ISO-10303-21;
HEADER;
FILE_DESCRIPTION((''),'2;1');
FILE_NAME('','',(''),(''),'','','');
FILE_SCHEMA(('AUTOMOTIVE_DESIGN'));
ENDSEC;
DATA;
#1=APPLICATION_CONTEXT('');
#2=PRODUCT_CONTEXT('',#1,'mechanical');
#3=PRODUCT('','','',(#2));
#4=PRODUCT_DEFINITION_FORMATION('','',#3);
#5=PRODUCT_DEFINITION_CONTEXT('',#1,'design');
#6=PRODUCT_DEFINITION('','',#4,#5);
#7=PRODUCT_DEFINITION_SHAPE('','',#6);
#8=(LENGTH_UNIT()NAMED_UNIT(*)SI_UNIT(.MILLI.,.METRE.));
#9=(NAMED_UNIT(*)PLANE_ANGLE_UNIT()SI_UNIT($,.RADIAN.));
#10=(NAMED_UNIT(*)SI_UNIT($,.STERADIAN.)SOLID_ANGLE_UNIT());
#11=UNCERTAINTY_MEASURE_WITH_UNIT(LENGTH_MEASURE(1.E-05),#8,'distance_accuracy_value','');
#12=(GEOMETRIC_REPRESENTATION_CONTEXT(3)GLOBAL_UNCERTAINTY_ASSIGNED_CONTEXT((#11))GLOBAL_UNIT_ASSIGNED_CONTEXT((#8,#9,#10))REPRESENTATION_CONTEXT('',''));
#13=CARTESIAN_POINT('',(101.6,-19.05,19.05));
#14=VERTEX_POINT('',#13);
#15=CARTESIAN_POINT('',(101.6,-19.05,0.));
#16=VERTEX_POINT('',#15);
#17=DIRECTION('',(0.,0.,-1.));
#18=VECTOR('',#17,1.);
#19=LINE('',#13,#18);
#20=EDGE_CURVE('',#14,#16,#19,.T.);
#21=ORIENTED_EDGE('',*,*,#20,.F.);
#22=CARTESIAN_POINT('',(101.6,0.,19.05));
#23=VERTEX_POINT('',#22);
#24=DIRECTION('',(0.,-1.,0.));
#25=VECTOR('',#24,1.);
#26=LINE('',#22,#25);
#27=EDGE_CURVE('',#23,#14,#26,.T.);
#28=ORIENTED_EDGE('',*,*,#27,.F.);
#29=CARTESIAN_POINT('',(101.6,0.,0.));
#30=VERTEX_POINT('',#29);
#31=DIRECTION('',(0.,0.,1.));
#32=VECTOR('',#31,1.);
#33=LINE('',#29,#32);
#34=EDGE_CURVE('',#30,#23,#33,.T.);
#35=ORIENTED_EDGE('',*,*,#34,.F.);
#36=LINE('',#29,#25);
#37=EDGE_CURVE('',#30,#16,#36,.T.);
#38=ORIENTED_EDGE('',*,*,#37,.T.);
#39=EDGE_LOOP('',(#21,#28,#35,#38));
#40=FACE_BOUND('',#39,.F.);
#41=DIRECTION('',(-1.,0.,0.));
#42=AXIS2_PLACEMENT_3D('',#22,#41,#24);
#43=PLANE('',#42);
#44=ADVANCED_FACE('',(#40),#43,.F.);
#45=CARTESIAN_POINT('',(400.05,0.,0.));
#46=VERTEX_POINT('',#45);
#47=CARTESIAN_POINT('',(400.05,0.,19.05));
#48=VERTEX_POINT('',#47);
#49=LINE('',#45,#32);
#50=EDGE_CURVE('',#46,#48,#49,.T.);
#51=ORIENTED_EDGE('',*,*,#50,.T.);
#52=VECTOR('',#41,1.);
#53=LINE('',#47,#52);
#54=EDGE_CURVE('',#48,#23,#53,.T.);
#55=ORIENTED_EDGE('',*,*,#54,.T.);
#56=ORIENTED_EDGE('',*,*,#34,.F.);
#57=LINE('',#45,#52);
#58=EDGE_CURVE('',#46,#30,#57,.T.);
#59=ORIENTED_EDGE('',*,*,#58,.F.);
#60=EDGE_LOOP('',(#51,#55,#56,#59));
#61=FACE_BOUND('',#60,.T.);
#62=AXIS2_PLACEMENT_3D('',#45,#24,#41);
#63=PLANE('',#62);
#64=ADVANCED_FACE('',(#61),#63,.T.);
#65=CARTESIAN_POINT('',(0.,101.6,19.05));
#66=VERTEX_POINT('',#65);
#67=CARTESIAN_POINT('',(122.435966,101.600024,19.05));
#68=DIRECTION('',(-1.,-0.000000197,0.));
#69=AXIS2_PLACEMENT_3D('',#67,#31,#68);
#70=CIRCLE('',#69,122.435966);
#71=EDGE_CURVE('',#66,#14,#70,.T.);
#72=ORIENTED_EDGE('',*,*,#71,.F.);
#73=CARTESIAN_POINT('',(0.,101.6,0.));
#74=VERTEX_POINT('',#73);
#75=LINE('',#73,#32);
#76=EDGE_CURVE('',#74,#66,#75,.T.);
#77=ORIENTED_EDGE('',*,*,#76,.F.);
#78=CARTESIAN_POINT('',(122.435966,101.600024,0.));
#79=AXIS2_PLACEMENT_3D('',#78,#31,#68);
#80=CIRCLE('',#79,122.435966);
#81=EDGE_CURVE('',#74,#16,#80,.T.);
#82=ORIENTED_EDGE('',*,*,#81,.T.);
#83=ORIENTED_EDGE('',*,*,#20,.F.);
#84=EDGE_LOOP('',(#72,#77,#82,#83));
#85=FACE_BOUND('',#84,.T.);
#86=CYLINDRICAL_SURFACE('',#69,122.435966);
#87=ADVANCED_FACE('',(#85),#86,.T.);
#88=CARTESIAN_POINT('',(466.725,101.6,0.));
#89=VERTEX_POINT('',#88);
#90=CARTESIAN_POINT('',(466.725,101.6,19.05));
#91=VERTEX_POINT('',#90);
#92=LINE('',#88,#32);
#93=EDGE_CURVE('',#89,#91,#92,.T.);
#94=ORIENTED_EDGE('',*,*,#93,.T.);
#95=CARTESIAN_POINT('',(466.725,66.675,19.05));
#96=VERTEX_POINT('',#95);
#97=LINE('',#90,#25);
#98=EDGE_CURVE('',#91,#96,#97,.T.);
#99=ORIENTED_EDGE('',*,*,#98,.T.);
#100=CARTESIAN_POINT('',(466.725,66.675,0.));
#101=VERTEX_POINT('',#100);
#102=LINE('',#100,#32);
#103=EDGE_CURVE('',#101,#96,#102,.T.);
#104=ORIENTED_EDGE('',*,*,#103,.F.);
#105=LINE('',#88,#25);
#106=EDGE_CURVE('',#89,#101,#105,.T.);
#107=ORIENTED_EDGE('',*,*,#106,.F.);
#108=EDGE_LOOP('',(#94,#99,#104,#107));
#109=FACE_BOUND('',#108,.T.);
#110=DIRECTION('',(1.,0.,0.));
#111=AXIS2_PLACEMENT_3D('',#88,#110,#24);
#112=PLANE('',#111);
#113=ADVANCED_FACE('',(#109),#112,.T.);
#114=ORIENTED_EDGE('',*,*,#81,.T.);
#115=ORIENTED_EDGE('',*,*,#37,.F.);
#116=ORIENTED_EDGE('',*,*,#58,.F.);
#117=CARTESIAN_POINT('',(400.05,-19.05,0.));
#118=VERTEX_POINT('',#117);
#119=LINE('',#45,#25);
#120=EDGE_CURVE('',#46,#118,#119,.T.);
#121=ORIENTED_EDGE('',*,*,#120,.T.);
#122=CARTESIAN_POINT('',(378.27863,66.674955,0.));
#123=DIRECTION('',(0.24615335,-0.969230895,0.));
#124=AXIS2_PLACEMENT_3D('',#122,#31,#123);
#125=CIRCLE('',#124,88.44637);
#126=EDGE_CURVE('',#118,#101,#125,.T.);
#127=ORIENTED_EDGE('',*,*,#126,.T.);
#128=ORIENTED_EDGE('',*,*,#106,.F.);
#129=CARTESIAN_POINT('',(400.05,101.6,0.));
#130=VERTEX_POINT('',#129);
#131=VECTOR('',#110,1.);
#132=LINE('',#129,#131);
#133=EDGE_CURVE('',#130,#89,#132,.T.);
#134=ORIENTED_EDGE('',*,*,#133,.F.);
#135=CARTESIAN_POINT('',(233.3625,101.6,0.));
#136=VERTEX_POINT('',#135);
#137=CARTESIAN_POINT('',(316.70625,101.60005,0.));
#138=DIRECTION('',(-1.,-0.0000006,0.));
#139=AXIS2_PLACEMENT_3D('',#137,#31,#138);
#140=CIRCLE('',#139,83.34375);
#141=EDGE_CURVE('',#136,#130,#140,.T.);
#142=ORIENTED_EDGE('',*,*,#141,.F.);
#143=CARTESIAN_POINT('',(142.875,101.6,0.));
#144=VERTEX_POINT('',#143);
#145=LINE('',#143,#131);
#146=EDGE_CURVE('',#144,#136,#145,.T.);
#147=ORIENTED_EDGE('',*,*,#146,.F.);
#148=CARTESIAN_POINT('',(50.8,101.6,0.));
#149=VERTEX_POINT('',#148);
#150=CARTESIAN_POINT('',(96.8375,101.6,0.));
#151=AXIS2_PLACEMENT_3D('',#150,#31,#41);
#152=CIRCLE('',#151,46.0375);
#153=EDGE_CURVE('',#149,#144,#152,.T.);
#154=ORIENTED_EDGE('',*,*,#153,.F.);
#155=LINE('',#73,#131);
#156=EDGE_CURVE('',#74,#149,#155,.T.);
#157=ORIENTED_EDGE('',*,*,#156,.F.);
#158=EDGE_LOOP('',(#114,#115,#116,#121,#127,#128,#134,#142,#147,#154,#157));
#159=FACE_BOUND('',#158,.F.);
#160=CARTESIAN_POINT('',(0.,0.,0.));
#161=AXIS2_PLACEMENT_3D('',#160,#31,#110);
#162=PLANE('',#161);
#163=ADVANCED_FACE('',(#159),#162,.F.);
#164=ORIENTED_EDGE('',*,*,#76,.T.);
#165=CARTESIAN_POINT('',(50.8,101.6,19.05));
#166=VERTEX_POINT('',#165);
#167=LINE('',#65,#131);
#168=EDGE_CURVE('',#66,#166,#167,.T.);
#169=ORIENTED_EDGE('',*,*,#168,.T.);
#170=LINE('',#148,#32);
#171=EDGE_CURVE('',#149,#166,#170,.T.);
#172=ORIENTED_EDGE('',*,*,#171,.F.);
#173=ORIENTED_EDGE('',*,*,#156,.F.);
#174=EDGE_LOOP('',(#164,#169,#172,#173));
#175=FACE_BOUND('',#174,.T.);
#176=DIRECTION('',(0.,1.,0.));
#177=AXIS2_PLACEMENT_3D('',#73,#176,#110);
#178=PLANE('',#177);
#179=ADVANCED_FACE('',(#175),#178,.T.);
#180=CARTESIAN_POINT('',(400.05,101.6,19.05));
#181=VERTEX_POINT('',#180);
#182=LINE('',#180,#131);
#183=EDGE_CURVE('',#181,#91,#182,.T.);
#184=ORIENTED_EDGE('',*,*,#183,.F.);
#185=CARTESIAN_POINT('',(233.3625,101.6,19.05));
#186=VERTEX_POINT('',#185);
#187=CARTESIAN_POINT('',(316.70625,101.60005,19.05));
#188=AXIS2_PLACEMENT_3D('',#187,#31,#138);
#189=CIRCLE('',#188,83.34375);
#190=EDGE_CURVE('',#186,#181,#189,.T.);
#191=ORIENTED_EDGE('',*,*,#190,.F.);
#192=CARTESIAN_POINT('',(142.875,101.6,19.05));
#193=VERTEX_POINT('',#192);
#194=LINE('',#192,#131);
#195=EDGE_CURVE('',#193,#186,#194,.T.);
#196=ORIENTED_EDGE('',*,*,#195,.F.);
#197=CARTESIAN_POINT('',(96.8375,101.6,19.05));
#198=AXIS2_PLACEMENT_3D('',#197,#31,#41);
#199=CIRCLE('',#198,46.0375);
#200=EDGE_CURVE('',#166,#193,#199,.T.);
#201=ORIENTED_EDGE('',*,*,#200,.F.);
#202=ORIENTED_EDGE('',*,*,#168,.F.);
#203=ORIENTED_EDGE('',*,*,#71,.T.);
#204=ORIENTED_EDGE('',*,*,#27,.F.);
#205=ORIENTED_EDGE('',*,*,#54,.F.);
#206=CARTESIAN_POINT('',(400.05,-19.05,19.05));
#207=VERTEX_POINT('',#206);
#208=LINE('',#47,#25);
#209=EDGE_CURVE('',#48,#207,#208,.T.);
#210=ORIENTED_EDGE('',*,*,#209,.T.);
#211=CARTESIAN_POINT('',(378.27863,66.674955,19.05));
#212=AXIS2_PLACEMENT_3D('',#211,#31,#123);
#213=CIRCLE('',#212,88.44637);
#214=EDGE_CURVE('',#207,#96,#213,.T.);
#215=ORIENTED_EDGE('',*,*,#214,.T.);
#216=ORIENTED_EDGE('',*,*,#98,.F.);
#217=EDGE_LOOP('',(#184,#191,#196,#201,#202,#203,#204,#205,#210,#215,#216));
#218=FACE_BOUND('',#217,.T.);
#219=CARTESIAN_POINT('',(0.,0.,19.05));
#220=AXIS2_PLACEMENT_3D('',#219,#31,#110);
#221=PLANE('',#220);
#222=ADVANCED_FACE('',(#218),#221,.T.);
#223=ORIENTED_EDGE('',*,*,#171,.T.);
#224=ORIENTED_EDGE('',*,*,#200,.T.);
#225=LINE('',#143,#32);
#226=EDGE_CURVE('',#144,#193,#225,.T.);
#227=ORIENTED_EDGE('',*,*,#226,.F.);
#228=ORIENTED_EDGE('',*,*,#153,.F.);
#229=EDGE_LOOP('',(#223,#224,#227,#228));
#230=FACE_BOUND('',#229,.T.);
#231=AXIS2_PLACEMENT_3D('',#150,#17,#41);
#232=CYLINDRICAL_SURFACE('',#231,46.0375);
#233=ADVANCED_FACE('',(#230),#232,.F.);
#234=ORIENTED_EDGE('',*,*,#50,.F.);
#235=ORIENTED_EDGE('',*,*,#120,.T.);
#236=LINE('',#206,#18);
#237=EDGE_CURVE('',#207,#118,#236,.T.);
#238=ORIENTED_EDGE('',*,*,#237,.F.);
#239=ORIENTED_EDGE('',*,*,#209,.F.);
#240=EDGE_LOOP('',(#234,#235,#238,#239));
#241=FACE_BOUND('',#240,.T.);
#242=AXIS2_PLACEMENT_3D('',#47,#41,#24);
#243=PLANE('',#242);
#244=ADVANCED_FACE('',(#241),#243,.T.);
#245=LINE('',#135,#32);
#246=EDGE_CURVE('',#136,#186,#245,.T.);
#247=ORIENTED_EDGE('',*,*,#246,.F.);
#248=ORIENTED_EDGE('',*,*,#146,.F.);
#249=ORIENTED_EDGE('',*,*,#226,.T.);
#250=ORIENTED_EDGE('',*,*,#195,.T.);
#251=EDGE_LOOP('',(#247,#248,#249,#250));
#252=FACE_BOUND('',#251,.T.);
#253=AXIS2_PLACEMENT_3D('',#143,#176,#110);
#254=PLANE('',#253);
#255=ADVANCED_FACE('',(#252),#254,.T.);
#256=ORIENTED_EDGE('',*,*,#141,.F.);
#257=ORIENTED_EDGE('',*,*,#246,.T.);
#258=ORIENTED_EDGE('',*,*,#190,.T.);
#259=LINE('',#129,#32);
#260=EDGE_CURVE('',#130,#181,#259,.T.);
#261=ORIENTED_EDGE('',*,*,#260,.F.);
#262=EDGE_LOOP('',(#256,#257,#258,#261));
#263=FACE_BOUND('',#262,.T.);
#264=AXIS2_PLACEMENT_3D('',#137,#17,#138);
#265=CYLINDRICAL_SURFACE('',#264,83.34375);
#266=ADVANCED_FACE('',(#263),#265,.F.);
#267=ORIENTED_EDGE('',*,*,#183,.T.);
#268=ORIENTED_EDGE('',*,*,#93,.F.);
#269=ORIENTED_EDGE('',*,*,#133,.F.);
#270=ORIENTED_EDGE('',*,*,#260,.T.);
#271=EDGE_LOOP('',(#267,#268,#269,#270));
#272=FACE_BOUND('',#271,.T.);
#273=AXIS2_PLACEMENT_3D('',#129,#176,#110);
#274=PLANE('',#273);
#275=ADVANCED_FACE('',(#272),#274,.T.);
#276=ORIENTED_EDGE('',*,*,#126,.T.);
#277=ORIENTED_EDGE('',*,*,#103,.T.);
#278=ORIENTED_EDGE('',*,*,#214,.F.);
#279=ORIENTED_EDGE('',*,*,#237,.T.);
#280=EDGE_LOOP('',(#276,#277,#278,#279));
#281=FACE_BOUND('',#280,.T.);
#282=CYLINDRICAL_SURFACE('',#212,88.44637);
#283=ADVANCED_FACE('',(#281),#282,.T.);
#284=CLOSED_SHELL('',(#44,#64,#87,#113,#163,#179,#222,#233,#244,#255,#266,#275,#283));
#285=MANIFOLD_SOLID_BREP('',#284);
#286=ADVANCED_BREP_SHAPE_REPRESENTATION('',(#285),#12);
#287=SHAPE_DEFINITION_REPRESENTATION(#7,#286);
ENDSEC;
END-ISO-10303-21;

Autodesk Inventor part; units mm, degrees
ref_plane "YZ Plane" through (0, 0, 0) normal (1, 0, 0) x (0, 1, 0)
ref_plane "XZ Plane" through (0, 0, 0) normal (0, 1, 0) x (-1, 0, 0)
ref_plane "XY Plane" through (0, 0, 0) normal (0, 0, 1) x (1, 0, 0)
sketch "Sketch1" plane through (0, 0, 0) normal (0, 0, 1) x (1, 0, 0)
  line L0 (0, 101.6) -> (50.8, 101.6)
  line L1 (466.725, 101.6) -> (466.725, 66.675)
  line L2 (466.725, 0) -> (400.05, 0) construction
  line L3 (0, 0) -> (0, 101.6) construction
  arc A0 (50.8, 101.6) -> (142.875, 101.6) centre (96.8375, 101.6) ccw
  arc A1 (233.3625, 101.6) -> (400.05, 101.6) centre (316.7062, 101.6) ccw
  line L4 (50.8, 101.6) -> (142.875, 101.6) construction
  line L5 (142.875, 101.6) -> (233.3625, 101.6)
  line L6 (233.3625, 101.6) -> (400.05, 101.6) construction
  line L7 (400.05, 101.6) -> (466.725, 101.6)
  arc A2 (0, 101.6) -> (101.6, 0) centre (101.6, 101.6) ccw
  arc A3 (400.05, 0) -> (466.725, 66.675) centre (400.05, 66.675) ccw
  line L8 (400.05, 0) -> (101.6, 0)
  line L9 (466.725, 66.675) -> (466.725, 0) construction
  line L10 (101.6, 0) -> (0, 0) construction
  dimension "d0" = 466.725
  dimension "d1" = 101.6
  dimension "d2" = 50.8
  dimension "d3" = 90.4875
  dimension "d4" = 66.675
  dimension "d5" = 92.075
  dimension "d6" = 166.6875
extrude "Extrusion1" add sketch "Sketch1" along normal blind 19.05
sketch "Sketch2" plane through (0, 0, 19.05) normal (0, 0, 1) x (1, 0, 0)
  line L0 (101.6, 0) -> (101.6, -19.05) projected
  arc A0 (0, 101.6) -> (101.6, 0) centre (101.6, 101.6) ccw projected
  line L1 (400.05, 0) -> (400.05, -19.05) projected
  arc A1 (400.05, 0) -> (466.725, 66.675) centre (400.05, 66.675) ccw projected
  arc A2 (400.05, -19.05) -> (466.725, 66.675) centre (378.2786, 66.675) ccw
  line L2 (466.725, 66.675) -> (466.725, 101.6) projected
  arc A3 (0, 101.6) -> (101.6, -19.05) centre (122.4359, 101.6) ccw
  line L3 (0, 101.6) -> (0, 165.1)
  point P0 (0, 0)
extrude "Extrusion2" add sketch "Sketch2" against normal up to surface (19.05 mm away)
properties part number "cannon support front"
